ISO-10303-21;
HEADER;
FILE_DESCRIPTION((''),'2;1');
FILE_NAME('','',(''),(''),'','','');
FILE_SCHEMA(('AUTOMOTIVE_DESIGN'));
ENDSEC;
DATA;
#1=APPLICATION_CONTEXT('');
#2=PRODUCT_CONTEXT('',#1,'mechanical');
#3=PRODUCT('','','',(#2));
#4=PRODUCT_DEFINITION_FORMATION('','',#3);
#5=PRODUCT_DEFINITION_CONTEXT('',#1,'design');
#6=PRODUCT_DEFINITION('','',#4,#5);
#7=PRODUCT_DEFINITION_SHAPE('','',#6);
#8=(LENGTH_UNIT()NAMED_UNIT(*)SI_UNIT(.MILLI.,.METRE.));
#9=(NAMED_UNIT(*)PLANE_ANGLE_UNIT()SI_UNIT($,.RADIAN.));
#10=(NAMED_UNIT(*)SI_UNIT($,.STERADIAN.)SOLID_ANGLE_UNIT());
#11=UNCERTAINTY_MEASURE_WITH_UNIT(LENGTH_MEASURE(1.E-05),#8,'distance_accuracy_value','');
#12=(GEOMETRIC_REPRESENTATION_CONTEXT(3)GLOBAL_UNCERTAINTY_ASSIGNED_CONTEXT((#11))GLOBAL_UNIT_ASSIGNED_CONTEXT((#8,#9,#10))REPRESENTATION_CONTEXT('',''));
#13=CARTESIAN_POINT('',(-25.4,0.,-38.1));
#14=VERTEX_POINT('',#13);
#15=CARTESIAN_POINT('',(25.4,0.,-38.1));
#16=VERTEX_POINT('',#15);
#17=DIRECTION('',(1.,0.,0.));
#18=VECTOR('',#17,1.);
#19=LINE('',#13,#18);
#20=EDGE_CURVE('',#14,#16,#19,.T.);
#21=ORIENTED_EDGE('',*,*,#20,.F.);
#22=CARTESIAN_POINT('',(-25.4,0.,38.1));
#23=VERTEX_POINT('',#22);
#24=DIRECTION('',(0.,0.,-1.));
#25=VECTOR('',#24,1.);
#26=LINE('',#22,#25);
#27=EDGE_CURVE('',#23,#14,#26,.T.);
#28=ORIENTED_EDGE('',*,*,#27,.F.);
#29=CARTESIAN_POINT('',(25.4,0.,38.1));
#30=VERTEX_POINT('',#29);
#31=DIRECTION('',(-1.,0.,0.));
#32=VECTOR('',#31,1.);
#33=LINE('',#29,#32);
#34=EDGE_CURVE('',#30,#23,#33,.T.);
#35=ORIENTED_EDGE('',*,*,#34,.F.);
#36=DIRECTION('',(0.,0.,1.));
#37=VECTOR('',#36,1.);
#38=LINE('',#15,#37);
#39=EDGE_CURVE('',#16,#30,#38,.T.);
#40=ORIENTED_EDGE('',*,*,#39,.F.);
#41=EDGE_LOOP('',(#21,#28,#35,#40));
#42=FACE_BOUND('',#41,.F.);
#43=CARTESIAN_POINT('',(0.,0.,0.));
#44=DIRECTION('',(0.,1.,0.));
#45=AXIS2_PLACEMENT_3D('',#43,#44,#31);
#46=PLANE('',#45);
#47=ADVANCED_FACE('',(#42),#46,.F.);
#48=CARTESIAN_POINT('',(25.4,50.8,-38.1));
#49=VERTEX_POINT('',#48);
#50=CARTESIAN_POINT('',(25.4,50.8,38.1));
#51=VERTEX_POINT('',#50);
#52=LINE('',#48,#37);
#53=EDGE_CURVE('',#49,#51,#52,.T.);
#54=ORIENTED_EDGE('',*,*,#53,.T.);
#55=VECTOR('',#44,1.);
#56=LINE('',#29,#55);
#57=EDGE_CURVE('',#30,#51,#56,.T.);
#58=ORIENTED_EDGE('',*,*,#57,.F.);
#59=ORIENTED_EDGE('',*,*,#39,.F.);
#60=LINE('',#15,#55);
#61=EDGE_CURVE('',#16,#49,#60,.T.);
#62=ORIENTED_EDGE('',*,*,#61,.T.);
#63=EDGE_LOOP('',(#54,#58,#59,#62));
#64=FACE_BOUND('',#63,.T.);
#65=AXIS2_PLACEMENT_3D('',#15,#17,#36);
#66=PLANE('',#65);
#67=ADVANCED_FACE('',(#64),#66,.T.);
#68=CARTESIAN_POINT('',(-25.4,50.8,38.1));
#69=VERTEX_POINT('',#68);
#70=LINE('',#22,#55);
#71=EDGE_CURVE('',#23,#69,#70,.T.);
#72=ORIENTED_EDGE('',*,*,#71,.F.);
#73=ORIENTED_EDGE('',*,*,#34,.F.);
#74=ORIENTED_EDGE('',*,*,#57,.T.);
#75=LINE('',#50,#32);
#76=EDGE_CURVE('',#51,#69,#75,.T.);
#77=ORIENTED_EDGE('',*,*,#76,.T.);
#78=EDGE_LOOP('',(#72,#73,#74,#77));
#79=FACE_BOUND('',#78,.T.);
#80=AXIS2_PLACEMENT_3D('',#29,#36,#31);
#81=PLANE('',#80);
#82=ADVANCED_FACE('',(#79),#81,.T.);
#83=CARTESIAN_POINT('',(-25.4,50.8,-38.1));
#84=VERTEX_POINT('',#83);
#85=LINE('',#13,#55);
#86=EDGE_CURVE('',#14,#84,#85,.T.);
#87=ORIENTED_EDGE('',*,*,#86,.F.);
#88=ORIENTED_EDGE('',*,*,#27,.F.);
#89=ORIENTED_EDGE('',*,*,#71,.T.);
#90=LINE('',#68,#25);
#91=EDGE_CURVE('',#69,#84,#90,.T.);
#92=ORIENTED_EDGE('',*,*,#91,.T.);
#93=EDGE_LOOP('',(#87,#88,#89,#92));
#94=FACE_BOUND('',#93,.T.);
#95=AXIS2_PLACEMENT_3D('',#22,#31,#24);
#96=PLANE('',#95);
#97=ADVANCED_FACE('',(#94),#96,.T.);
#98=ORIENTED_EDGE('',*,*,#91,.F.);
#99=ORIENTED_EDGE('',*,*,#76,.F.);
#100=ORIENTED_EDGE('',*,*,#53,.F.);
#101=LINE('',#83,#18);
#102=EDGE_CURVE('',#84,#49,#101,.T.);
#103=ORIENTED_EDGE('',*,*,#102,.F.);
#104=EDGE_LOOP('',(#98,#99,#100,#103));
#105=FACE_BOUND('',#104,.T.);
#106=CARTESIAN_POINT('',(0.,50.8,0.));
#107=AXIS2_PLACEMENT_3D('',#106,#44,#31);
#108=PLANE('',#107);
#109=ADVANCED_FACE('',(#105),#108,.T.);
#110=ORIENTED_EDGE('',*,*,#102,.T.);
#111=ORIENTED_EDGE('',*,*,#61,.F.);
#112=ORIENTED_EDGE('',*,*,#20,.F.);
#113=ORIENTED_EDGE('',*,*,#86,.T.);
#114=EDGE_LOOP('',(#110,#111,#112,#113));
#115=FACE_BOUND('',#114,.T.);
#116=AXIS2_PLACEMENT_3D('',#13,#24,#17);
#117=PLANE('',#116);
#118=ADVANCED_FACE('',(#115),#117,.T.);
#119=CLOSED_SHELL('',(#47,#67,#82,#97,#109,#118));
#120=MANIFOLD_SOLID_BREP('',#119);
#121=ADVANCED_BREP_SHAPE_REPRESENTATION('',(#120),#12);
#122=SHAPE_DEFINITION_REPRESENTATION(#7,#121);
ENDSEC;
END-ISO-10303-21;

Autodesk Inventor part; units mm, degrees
ref_plane "YZ Plane" through (0, 0, 0) normal (1, 0, 0) x (0, 1, 0)
ref_plane "XZ Plane" through (0, 0, 0) normal (0, 1, 0) x (-1, 0, 0)
ref_plane "XY Plane" through (0, 0, 0) normal (0, 0, 1) x (1, 0, 0)
sketch "Sketch1" plane through (0, 0, 0) normal (0, 1, 0) x (-1, 0, 0)
  line L0 (-25.4, 38.1) -> (25.4, 38.1)
  line L1 (25.4, 38.1) -> (25.4, -38.1)
  line L2 (25.4, -38.1) -> (-25.4, -38.1)
  line L3 (-25.4, -38.1) -> (-25.4, 38.1)
  line L4 (-25.4, 38.1) -> (25.4, -38.1) construction
  line L5 (25.4, 38.1) -> (-25.4, -38.1) construction
  point P0 (0, 0)
  dimension "d0" = 50.8
  dimension "d1" = 76.2
extrude "Extrusion1" add sketch "Sketch1" along normal blind 50.8
properties part number "BX11111"
